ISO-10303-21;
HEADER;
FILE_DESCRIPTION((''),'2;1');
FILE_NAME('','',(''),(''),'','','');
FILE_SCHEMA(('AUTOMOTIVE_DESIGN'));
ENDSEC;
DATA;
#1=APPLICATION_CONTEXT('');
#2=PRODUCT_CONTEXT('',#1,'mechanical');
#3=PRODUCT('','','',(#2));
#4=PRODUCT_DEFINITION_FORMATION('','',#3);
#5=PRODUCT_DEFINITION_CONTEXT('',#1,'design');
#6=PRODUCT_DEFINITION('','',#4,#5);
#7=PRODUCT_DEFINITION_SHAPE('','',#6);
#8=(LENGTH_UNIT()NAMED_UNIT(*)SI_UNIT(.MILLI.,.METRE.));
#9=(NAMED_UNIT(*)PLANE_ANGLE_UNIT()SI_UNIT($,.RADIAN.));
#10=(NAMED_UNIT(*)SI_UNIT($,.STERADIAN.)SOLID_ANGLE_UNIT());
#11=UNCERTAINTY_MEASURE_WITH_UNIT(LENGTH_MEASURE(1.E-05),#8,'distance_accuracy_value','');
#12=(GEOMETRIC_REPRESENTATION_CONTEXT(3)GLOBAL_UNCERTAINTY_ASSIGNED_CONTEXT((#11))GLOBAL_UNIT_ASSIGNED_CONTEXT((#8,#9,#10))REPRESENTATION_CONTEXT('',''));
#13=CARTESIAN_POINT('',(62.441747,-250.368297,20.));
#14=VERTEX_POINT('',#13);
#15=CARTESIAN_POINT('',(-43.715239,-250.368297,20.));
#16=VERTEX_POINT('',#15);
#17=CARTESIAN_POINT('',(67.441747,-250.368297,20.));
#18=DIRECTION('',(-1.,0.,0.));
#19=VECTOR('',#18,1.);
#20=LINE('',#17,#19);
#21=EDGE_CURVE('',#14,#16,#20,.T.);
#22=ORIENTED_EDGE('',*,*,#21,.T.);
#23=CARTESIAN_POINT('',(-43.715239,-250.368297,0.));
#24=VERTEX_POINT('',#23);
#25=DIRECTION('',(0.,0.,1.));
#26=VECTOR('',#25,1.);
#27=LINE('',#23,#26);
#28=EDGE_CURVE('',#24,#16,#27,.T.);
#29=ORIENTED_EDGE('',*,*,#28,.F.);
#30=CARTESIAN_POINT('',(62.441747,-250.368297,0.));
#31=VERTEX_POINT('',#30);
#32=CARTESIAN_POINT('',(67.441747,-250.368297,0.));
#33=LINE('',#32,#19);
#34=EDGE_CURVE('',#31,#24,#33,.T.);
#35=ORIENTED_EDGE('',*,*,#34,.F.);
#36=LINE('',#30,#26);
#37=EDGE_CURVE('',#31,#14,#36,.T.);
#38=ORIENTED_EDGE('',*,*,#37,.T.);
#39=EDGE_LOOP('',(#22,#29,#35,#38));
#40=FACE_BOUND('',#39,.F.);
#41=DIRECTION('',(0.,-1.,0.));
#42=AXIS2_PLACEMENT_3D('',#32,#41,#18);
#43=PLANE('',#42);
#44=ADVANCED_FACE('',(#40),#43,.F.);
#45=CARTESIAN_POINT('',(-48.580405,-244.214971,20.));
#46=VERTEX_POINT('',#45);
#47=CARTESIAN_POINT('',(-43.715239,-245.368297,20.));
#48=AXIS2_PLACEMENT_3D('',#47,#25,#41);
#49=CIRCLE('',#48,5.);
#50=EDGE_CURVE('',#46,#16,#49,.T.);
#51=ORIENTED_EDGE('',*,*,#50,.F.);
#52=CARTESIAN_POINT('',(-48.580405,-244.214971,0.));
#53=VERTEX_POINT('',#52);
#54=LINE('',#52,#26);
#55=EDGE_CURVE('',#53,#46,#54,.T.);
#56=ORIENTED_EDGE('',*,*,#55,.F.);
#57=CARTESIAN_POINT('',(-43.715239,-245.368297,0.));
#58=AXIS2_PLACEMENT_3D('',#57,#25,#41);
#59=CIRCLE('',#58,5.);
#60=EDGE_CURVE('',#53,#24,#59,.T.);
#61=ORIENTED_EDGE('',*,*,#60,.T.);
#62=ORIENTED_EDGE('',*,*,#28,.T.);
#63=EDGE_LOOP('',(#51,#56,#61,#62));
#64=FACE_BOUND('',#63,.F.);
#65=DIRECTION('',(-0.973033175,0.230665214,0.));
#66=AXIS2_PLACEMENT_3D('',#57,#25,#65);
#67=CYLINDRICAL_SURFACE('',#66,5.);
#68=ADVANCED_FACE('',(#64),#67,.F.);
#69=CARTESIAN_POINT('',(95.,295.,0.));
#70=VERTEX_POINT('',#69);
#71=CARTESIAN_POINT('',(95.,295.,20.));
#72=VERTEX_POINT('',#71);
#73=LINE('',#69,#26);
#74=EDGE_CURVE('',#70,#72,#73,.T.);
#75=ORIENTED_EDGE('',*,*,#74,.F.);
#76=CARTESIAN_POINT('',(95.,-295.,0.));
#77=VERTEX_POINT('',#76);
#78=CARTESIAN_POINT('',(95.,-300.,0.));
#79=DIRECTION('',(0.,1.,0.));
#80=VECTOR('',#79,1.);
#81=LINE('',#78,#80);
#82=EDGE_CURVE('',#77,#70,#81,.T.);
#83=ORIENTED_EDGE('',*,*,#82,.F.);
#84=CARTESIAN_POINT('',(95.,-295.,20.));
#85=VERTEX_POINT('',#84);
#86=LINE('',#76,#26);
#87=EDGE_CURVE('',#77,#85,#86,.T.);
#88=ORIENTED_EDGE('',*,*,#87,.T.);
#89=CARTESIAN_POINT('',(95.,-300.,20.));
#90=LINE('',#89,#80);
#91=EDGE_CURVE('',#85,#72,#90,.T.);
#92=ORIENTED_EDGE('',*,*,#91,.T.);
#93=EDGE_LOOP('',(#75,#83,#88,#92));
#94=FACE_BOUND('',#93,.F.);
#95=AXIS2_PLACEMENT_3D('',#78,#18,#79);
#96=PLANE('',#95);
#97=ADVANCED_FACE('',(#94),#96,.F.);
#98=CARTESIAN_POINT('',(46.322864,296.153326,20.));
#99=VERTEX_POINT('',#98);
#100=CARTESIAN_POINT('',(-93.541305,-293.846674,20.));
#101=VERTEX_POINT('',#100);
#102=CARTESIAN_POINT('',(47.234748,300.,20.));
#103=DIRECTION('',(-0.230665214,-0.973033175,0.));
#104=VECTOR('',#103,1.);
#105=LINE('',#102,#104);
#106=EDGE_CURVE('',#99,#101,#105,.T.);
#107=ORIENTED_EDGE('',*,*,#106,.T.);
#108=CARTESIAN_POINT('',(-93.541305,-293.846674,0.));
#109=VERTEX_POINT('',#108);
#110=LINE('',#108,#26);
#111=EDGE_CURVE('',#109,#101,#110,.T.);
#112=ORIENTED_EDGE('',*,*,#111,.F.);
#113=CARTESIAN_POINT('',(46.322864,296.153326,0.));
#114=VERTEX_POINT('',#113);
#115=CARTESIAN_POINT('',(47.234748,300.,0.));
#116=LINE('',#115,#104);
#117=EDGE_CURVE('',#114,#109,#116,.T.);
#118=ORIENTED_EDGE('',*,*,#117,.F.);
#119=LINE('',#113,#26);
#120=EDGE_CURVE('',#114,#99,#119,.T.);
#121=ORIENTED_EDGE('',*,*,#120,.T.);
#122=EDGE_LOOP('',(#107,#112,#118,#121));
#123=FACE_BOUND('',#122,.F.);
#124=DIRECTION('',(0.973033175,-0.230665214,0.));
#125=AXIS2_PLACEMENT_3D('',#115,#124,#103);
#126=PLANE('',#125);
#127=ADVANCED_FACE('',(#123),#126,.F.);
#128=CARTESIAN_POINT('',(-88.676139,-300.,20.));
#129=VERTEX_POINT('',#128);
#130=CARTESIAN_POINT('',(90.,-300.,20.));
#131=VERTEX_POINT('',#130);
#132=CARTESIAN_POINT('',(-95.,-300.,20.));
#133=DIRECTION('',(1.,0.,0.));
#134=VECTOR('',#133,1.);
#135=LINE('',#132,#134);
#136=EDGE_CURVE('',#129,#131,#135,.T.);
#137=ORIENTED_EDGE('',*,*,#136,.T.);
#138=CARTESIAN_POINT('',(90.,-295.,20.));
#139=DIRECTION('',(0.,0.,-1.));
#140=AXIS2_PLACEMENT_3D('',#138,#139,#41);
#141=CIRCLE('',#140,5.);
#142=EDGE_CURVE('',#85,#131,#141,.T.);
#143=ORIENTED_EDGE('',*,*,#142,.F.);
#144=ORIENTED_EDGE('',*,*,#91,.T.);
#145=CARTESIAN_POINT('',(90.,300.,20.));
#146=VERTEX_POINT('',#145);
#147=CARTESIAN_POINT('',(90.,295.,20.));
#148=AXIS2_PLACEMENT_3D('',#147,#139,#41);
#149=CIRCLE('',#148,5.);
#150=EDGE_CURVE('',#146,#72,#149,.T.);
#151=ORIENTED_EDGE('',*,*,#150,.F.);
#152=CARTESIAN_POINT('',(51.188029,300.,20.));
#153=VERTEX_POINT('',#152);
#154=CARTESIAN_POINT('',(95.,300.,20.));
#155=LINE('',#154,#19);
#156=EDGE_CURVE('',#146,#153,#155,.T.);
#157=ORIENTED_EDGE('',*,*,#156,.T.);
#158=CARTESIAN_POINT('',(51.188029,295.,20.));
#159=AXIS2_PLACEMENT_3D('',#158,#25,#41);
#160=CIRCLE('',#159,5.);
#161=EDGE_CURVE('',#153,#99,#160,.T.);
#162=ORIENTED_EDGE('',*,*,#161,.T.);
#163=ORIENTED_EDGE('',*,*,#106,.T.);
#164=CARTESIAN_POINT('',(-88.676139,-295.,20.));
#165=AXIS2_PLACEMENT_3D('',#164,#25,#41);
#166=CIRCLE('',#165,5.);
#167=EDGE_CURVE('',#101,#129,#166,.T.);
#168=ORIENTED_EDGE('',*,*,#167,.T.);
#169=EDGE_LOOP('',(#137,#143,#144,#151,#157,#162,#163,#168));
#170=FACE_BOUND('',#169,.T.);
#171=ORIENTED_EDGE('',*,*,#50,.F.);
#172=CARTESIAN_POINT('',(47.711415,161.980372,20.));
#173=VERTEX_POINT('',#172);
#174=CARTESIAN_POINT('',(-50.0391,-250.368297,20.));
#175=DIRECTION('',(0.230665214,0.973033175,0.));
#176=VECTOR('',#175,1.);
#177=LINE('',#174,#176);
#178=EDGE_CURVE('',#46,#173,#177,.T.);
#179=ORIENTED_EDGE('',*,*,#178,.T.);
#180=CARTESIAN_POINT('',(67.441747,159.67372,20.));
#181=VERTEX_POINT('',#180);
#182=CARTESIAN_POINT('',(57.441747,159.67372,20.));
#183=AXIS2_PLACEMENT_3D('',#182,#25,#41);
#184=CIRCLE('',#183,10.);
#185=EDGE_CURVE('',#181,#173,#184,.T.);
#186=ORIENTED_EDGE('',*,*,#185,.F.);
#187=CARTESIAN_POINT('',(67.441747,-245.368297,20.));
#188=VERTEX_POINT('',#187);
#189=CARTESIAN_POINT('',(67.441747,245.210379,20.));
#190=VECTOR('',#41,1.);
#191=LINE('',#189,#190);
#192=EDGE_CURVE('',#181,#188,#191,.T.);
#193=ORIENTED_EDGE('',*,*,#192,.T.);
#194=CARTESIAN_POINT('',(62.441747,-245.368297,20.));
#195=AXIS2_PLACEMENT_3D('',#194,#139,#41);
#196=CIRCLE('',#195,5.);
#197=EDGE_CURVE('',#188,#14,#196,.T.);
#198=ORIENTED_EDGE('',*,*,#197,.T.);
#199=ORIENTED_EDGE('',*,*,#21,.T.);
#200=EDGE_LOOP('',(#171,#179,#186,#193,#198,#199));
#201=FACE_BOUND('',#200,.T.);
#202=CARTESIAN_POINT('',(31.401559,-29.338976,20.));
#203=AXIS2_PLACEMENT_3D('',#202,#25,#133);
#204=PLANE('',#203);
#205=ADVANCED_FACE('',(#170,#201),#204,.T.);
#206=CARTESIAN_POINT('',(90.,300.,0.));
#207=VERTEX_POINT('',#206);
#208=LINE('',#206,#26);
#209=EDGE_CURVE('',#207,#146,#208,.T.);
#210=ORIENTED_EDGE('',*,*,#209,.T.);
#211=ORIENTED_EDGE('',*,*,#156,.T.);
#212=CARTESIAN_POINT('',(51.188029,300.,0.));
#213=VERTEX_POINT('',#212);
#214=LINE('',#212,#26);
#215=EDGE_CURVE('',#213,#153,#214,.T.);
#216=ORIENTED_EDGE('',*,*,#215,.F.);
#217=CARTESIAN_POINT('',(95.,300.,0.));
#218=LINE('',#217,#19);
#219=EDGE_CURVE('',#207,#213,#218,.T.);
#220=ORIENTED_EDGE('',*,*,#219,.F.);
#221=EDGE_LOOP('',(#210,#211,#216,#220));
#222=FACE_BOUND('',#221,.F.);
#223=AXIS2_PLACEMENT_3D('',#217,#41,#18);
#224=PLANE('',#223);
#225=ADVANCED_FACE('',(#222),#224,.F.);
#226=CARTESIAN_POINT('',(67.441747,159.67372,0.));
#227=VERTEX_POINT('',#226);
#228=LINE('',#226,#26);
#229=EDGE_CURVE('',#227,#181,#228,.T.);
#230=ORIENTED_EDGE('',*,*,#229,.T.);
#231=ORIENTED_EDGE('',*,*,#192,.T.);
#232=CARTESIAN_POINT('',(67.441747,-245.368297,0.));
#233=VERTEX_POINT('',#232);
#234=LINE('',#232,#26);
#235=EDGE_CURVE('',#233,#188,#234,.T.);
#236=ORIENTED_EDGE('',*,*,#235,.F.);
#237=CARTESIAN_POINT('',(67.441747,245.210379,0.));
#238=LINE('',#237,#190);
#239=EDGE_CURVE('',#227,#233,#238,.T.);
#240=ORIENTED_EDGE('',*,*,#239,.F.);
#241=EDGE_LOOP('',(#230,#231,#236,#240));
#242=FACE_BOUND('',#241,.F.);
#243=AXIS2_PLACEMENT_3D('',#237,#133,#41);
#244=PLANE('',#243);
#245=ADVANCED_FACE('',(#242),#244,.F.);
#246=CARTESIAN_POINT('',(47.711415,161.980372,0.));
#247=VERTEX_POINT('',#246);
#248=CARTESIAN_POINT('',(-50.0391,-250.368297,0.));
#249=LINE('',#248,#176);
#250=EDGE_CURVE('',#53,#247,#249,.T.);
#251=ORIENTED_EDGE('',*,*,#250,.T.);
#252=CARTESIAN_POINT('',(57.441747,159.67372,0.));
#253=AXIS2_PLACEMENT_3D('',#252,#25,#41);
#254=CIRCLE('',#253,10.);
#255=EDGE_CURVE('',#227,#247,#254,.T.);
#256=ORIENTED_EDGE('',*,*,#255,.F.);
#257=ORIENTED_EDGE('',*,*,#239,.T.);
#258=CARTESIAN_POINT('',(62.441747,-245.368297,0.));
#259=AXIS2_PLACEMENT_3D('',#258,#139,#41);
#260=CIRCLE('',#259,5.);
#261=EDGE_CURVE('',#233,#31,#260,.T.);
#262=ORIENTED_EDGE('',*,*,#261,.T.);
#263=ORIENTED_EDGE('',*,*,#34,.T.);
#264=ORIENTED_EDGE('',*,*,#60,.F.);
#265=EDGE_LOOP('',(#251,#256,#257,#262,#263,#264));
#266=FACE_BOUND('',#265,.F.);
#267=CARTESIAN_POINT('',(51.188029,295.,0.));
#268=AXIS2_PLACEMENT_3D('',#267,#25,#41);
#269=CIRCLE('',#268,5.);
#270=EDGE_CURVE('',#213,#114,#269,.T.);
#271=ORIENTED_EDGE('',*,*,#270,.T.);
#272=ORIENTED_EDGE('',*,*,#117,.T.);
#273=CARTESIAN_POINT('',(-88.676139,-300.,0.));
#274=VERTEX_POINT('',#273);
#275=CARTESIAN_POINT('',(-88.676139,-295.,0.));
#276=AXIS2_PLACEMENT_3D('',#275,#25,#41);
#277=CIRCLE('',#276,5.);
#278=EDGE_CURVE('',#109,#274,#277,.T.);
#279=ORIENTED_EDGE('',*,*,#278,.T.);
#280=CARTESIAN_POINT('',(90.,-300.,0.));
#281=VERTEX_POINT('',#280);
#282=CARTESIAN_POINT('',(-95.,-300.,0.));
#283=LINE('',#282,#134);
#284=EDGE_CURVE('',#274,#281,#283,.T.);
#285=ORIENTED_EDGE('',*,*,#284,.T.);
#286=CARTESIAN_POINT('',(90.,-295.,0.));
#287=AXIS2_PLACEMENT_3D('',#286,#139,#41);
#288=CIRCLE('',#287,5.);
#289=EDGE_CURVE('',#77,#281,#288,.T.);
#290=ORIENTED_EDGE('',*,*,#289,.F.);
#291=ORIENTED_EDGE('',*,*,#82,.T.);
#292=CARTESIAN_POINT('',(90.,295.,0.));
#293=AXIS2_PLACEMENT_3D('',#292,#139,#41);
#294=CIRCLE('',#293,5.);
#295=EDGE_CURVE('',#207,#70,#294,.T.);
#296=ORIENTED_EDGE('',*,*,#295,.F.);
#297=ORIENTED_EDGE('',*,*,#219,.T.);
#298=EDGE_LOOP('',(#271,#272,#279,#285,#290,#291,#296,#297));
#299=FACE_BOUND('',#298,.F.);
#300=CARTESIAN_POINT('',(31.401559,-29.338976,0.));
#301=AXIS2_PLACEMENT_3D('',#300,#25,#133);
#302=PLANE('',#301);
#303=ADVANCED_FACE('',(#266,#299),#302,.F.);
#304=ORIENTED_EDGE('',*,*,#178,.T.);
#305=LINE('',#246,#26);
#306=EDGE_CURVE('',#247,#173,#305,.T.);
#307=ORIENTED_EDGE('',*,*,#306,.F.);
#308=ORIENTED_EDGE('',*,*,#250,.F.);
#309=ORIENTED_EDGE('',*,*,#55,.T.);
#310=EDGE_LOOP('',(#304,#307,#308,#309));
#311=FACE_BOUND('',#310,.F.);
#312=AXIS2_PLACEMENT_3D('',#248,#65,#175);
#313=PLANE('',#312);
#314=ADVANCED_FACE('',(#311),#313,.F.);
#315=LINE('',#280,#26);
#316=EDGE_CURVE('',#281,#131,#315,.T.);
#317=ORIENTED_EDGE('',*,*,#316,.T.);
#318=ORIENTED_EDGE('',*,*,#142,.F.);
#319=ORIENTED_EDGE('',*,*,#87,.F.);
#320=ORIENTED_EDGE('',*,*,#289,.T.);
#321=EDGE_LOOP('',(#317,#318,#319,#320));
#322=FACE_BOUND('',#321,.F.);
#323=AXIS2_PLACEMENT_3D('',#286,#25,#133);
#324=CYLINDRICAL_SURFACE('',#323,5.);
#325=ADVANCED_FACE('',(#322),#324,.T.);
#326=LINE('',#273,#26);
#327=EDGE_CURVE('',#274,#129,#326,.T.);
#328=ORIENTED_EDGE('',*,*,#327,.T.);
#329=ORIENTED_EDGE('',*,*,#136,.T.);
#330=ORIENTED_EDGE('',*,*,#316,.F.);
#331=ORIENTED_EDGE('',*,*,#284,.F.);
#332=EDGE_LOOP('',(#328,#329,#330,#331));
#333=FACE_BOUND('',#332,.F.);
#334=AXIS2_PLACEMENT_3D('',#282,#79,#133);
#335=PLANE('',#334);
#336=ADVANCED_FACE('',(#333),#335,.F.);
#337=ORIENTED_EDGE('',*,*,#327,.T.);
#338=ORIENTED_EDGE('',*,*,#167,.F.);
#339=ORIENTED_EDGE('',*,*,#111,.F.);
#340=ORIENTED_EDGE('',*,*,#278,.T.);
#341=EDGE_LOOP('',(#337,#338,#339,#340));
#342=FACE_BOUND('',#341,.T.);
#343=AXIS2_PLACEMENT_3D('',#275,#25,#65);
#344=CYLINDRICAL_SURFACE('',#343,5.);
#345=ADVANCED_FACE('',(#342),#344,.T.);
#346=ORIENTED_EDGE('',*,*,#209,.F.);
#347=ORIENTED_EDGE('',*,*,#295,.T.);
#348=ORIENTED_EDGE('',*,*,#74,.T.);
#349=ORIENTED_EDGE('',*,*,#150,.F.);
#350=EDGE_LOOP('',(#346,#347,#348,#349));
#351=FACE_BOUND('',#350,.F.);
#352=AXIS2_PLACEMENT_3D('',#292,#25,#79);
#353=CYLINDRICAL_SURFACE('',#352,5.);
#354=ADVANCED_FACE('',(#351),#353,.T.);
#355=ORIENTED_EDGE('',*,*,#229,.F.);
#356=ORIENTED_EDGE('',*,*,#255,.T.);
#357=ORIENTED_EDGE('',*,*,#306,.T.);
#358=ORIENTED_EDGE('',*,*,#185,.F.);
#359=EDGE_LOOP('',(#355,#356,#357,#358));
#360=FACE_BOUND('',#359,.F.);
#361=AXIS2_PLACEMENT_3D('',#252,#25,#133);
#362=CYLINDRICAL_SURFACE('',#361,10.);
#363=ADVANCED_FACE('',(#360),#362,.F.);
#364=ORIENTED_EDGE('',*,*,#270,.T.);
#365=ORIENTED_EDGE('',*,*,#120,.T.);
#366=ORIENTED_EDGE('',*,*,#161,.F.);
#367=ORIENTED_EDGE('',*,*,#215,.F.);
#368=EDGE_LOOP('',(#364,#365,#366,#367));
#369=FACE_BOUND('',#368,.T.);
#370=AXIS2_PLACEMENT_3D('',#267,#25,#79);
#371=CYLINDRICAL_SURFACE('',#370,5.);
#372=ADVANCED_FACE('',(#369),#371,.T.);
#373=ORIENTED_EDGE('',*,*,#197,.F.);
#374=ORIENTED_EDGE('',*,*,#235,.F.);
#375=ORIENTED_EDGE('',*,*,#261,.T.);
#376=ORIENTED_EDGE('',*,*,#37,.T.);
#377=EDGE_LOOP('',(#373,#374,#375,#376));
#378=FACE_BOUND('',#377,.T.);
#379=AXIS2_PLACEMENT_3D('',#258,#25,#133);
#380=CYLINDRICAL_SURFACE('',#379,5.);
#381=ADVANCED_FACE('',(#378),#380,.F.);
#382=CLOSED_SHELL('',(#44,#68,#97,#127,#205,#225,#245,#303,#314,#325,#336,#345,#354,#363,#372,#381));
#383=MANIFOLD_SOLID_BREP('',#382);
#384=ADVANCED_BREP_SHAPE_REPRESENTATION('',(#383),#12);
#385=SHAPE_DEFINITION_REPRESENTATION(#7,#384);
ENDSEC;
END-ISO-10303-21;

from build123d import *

# Parameters (mm, degrees)
F1_DEPTH = 20
F2_R     = 5
F3_R     = 10


with BuildPart() as f1:
    # F0 (on Top) → F1 (new body)
    with BuildSketch(Plane.XY):
        Polygon((95, 300), (47.234748, 300), (-95, -300), (95, -300), align=None)
        Polygon((67.441747, -250.368297), (-50.0391, -250.368297), (67.441747, 245.210379), align=None, mode=Mode.SUBTRACT)
    extrude(amount=F1_DEPTH)

    # F2
    f2_edges = [f1.edges().sort_by_distance(p)[0] for p in [
        (95, 300, 10),
        (95, -300, 10),
        (-95, -300, 10),
        (67.441747, -250.368297, 10),
        (-50.0391, -250.368297, 10),
        (47.234748, 300, 10),
    ]]
    fillet(f2_edges, radius=F2_R)

    # F3
    f3_edges = [f1.edges().sort_by_distance(p)[0] for p in [
        (67.441747, 245.210379, 10),
    ]]
    fillet(f3_edges, radius=F3_R)


solid = f1.part
